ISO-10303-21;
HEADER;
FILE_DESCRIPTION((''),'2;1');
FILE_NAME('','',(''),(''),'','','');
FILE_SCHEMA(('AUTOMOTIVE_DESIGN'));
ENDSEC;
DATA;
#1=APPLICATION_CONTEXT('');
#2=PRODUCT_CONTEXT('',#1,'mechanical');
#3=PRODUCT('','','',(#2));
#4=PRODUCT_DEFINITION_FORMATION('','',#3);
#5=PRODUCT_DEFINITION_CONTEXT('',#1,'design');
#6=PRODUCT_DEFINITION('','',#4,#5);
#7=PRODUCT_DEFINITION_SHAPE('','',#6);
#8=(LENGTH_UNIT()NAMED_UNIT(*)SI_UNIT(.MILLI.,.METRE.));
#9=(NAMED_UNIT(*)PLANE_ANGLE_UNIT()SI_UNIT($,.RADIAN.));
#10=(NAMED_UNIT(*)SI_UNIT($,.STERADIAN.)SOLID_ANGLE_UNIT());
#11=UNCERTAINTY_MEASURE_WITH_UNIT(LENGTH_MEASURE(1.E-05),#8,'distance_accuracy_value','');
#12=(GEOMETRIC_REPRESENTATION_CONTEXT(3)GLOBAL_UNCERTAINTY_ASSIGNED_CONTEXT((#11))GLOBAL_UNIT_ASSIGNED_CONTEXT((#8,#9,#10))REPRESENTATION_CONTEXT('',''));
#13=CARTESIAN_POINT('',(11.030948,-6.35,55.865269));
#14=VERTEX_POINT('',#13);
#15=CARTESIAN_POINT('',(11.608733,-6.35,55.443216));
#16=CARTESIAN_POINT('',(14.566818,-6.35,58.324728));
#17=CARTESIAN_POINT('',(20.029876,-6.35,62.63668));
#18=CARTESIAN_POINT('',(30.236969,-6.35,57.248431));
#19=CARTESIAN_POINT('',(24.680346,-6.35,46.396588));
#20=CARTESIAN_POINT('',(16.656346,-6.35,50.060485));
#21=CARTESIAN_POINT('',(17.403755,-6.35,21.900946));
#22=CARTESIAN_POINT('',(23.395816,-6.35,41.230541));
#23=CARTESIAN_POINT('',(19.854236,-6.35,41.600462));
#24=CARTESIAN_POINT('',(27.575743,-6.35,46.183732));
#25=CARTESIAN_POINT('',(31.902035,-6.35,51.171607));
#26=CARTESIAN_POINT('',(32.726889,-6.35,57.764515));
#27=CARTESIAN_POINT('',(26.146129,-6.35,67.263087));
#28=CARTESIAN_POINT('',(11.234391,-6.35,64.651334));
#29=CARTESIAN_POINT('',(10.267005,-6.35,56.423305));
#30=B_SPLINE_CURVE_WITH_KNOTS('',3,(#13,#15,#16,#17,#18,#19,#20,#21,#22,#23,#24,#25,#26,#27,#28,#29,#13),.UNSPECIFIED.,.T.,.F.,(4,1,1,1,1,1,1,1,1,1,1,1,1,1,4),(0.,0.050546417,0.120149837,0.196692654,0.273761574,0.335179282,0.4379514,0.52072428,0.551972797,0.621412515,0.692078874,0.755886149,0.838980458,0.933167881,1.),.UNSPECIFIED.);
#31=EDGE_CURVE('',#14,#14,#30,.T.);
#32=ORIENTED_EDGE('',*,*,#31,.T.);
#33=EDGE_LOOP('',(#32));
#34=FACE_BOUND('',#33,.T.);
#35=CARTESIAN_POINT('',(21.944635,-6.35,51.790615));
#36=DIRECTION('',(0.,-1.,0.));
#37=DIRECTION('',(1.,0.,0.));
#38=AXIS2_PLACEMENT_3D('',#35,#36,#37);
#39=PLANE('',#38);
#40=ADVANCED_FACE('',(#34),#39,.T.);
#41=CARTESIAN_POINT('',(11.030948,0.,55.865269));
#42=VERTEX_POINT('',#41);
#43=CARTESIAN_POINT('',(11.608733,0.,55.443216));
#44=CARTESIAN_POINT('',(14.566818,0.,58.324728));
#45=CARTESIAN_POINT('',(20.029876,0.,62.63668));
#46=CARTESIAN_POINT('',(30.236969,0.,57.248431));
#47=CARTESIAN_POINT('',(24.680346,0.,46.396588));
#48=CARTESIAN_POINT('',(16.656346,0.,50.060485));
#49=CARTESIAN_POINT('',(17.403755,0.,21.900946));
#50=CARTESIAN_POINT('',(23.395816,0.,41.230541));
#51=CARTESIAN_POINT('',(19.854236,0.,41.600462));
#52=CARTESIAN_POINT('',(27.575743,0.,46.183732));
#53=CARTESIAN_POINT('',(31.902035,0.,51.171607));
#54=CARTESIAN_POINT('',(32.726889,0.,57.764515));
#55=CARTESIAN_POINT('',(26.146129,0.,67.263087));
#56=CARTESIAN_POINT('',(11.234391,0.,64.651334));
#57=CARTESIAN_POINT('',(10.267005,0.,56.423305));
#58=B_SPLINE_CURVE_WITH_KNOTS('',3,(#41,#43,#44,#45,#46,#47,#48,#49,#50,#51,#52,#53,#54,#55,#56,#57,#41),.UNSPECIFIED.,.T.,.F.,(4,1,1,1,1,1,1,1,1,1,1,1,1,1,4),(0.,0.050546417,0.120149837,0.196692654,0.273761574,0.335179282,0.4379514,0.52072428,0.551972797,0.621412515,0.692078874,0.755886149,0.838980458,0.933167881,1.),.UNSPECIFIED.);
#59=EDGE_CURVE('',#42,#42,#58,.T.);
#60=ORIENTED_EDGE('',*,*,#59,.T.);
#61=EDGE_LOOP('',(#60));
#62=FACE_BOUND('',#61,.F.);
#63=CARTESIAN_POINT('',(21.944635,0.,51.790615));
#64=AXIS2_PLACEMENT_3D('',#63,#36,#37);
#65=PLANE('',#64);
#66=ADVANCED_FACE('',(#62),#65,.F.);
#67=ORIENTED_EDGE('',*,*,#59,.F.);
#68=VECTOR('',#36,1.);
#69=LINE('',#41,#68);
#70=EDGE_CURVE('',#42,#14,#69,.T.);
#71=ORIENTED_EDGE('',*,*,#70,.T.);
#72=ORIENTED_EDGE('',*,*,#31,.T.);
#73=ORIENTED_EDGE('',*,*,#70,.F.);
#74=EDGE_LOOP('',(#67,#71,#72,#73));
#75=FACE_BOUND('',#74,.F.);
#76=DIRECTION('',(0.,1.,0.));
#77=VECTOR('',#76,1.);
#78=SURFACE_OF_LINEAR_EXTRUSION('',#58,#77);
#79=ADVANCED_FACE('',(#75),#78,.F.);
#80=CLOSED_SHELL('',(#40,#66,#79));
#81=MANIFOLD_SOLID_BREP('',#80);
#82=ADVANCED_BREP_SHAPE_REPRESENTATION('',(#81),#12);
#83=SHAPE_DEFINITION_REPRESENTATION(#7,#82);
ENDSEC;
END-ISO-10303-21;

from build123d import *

# Parameters (mm, degrees)
F1_DEPTH = 6.35


with BuildPart() as f1:
    # F0 (on Front) → F1 (new body)
    with BuildSketch(Plane.XZ):
        with BuildLine():
            add(Edge.make_bspline(
                [(11.0309477895, 55.8652691543), (11.6087325958, 55.4432161879), (14.5668179439, 58.3247283676), (20.0298759584, 62.6366802069), (30.2369686975, 57.2484314189), (24.680345861, 46.396588164), (16.6563458983, 50.0604848769), (17.4037548014, 21.9009456821), (23.3958160659, 41.2305408815), (19.8542356935, 41.6004615047), (27.575742511, 46.1837321572), (31.9020350298, 51.1716065566), (32.7268885207, 57.7645153982), (26.1461287223, 67.2630872381), (11.2343911723, 64.651333804), (10.2670047694, 56.4233046277), (11.0309477895, 55.8652691543)],
                knots=[0, 0, 0, 0, 0.0505464173, 0.120149837, 0.1966926537, 0.2737615736, 0.3351792823, 0.4379514002, 0.5207242796, 0.5519727975, 0.6214125148, 0.692078874, 0.7558861493, 0.8389804581, 0.9331678814, 1, 1, 1, 1], degree=3))
        make_face()
    extrude(amount=F1_DEPTH)


solid = f1.part
